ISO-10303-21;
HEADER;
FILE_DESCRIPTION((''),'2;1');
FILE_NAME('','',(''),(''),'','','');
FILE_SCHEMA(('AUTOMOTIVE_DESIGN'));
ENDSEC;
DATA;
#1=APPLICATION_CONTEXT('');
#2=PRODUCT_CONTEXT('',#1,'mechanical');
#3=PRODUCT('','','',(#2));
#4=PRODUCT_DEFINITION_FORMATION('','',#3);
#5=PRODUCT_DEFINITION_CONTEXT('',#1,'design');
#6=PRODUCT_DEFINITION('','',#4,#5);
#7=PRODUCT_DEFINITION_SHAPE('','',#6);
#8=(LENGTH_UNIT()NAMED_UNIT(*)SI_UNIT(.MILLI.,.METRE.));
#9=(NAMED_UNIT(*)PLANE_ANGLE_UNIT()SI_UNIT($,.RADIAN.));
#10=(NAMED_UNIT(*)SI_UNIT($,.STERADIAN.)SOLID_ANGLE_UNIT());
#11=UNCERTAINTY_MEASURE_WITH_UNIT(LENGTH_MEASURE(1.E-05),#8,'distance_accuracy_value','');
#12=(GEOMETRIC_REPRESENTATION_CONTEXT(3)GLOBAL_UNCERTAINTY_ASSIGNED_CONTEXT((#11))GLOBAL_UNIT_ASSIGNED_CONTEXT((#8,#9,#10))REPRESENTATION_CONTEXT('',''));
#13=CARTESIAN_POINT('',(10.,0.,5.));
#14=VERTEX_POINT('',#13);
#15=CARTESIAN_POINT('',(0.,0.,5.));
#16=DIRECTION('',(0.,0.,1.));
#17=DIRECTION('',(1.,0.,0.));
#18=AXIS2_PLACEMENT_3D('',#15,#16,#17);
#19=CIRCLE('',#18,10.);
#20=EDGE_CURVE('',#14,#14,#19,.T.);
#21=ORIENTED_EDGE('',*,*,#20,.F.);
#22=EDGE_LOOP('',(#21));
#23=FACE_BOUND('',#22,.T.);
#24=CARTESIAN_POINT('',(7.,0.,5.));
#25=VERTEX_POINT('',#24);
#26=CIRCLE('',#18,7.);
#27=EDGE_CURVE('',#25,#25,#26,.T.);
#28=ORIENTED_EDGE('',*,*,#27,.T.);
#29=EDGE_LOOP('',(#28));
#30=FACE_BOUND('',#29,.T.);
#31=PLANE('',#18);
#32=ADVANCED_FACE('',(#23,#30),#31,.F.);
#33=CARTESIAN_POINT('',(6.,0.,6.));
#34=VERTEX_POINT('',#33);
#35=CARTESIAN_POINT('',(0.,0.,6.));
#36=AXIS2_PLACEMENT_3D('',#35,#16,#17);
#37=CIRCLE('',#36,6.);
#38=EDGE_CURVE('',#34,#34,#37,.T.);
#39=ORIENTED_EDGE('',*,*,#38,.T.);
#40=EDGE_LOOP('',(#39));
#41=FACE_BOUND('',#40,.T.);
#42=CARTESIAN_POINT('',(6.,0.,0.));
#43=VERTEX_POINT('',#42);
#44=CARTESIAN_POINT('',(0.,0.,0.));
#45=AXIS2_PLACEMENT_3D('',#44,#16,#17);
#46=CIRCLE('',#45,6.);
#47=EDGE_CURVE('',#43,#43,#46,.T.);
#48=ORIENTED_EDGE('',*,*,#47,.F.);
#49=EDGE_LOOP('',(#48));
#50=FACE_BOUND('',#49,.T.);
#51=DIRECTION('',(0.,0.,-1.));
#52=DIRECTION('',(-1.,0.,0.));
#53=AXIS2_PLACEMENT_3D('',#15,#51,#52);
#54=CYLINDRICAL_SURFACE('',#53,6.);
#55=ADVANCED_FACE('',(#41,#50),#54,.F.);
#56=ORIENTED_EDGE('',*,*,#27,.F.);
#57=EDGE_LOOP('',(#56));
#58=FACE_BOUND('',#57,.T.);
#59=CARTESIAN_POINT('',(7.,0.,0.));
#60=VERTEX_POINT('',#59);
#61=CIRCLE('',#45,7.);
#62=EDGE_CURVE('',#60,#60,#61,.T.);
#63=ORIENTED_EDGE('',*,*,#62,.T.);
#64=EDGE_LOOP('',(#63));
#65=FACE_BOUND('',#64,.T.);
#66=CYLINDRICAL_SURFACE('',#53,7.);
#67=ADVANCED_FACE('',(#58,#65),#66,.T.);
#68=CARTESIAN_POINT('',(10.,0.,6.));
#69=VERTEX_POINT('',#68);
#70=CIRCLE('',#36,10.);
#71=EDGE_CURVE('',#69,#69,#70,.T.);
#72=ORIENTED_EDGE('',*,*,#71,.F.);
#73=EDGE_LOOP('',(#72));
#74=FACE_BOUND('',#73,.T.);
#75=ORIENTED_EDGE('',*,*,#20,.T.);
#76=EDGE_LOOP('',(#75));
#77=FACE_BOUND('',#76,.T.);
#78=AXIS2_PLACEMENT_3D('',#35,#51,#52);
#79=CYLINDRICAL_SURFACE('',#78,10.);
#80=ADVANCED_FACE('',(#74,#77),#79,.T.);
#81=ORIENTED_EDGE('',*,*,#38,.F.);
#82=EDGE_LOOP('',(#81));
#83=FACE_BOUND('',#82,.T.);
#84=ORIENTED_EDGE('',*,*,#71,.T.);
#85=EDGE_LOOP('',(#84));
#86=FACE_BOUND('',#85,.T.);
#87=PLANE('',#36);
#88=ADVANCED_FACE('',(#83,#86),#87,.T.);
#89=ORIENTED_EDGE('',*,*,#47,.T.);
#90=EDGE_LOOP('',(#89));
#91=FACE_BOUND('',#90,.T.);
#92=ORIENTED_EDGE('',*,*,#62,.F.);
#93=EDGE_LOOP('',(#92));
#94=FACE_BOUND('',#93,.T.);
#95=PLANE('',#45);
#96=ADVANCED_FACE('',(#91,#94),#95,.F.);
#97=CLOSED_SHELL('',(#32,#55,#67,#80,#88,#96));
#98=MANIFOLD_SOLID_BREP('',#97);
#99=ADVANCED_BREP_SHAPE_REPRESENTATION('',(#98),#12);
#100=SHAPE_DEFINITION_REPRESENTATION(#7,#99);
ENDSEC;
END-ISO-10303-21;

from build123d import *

# Parameters (mm, degrees)
SKETCH1_R           = 7
SKETCH1_R_2         = 6
BOSS_EXTRUDE1_DEPTH = 5
SKETCH3_R           = 10
SKETCH3_R_2         = 6
BOSS_EXTRUDE2_DEPTH = 1


with BuildPart() as part:
    # Sketch1 → Boss-Extrude1 (new body)
    with BuildSketch(Plane.XY):
        Circle(SKETCH1_R)
        Circle(SKETCH1_R_2, mode=Mode.SUBTRACT)
    extrude(amount=BOSS_EXTRUDE1_DEPTH)

    # Sketch3 → Boss-Extrude2 (add)
    with BuildSketch(Plane.XY.offset(5)):
        Circle(SKETCH3_R)
        Circle(SKETCH3_R_2, mode=Mode.SUBTRACT)
    extrude(amount=BOSS_EXTRUDE2_DEPTH)


solid = part.part
